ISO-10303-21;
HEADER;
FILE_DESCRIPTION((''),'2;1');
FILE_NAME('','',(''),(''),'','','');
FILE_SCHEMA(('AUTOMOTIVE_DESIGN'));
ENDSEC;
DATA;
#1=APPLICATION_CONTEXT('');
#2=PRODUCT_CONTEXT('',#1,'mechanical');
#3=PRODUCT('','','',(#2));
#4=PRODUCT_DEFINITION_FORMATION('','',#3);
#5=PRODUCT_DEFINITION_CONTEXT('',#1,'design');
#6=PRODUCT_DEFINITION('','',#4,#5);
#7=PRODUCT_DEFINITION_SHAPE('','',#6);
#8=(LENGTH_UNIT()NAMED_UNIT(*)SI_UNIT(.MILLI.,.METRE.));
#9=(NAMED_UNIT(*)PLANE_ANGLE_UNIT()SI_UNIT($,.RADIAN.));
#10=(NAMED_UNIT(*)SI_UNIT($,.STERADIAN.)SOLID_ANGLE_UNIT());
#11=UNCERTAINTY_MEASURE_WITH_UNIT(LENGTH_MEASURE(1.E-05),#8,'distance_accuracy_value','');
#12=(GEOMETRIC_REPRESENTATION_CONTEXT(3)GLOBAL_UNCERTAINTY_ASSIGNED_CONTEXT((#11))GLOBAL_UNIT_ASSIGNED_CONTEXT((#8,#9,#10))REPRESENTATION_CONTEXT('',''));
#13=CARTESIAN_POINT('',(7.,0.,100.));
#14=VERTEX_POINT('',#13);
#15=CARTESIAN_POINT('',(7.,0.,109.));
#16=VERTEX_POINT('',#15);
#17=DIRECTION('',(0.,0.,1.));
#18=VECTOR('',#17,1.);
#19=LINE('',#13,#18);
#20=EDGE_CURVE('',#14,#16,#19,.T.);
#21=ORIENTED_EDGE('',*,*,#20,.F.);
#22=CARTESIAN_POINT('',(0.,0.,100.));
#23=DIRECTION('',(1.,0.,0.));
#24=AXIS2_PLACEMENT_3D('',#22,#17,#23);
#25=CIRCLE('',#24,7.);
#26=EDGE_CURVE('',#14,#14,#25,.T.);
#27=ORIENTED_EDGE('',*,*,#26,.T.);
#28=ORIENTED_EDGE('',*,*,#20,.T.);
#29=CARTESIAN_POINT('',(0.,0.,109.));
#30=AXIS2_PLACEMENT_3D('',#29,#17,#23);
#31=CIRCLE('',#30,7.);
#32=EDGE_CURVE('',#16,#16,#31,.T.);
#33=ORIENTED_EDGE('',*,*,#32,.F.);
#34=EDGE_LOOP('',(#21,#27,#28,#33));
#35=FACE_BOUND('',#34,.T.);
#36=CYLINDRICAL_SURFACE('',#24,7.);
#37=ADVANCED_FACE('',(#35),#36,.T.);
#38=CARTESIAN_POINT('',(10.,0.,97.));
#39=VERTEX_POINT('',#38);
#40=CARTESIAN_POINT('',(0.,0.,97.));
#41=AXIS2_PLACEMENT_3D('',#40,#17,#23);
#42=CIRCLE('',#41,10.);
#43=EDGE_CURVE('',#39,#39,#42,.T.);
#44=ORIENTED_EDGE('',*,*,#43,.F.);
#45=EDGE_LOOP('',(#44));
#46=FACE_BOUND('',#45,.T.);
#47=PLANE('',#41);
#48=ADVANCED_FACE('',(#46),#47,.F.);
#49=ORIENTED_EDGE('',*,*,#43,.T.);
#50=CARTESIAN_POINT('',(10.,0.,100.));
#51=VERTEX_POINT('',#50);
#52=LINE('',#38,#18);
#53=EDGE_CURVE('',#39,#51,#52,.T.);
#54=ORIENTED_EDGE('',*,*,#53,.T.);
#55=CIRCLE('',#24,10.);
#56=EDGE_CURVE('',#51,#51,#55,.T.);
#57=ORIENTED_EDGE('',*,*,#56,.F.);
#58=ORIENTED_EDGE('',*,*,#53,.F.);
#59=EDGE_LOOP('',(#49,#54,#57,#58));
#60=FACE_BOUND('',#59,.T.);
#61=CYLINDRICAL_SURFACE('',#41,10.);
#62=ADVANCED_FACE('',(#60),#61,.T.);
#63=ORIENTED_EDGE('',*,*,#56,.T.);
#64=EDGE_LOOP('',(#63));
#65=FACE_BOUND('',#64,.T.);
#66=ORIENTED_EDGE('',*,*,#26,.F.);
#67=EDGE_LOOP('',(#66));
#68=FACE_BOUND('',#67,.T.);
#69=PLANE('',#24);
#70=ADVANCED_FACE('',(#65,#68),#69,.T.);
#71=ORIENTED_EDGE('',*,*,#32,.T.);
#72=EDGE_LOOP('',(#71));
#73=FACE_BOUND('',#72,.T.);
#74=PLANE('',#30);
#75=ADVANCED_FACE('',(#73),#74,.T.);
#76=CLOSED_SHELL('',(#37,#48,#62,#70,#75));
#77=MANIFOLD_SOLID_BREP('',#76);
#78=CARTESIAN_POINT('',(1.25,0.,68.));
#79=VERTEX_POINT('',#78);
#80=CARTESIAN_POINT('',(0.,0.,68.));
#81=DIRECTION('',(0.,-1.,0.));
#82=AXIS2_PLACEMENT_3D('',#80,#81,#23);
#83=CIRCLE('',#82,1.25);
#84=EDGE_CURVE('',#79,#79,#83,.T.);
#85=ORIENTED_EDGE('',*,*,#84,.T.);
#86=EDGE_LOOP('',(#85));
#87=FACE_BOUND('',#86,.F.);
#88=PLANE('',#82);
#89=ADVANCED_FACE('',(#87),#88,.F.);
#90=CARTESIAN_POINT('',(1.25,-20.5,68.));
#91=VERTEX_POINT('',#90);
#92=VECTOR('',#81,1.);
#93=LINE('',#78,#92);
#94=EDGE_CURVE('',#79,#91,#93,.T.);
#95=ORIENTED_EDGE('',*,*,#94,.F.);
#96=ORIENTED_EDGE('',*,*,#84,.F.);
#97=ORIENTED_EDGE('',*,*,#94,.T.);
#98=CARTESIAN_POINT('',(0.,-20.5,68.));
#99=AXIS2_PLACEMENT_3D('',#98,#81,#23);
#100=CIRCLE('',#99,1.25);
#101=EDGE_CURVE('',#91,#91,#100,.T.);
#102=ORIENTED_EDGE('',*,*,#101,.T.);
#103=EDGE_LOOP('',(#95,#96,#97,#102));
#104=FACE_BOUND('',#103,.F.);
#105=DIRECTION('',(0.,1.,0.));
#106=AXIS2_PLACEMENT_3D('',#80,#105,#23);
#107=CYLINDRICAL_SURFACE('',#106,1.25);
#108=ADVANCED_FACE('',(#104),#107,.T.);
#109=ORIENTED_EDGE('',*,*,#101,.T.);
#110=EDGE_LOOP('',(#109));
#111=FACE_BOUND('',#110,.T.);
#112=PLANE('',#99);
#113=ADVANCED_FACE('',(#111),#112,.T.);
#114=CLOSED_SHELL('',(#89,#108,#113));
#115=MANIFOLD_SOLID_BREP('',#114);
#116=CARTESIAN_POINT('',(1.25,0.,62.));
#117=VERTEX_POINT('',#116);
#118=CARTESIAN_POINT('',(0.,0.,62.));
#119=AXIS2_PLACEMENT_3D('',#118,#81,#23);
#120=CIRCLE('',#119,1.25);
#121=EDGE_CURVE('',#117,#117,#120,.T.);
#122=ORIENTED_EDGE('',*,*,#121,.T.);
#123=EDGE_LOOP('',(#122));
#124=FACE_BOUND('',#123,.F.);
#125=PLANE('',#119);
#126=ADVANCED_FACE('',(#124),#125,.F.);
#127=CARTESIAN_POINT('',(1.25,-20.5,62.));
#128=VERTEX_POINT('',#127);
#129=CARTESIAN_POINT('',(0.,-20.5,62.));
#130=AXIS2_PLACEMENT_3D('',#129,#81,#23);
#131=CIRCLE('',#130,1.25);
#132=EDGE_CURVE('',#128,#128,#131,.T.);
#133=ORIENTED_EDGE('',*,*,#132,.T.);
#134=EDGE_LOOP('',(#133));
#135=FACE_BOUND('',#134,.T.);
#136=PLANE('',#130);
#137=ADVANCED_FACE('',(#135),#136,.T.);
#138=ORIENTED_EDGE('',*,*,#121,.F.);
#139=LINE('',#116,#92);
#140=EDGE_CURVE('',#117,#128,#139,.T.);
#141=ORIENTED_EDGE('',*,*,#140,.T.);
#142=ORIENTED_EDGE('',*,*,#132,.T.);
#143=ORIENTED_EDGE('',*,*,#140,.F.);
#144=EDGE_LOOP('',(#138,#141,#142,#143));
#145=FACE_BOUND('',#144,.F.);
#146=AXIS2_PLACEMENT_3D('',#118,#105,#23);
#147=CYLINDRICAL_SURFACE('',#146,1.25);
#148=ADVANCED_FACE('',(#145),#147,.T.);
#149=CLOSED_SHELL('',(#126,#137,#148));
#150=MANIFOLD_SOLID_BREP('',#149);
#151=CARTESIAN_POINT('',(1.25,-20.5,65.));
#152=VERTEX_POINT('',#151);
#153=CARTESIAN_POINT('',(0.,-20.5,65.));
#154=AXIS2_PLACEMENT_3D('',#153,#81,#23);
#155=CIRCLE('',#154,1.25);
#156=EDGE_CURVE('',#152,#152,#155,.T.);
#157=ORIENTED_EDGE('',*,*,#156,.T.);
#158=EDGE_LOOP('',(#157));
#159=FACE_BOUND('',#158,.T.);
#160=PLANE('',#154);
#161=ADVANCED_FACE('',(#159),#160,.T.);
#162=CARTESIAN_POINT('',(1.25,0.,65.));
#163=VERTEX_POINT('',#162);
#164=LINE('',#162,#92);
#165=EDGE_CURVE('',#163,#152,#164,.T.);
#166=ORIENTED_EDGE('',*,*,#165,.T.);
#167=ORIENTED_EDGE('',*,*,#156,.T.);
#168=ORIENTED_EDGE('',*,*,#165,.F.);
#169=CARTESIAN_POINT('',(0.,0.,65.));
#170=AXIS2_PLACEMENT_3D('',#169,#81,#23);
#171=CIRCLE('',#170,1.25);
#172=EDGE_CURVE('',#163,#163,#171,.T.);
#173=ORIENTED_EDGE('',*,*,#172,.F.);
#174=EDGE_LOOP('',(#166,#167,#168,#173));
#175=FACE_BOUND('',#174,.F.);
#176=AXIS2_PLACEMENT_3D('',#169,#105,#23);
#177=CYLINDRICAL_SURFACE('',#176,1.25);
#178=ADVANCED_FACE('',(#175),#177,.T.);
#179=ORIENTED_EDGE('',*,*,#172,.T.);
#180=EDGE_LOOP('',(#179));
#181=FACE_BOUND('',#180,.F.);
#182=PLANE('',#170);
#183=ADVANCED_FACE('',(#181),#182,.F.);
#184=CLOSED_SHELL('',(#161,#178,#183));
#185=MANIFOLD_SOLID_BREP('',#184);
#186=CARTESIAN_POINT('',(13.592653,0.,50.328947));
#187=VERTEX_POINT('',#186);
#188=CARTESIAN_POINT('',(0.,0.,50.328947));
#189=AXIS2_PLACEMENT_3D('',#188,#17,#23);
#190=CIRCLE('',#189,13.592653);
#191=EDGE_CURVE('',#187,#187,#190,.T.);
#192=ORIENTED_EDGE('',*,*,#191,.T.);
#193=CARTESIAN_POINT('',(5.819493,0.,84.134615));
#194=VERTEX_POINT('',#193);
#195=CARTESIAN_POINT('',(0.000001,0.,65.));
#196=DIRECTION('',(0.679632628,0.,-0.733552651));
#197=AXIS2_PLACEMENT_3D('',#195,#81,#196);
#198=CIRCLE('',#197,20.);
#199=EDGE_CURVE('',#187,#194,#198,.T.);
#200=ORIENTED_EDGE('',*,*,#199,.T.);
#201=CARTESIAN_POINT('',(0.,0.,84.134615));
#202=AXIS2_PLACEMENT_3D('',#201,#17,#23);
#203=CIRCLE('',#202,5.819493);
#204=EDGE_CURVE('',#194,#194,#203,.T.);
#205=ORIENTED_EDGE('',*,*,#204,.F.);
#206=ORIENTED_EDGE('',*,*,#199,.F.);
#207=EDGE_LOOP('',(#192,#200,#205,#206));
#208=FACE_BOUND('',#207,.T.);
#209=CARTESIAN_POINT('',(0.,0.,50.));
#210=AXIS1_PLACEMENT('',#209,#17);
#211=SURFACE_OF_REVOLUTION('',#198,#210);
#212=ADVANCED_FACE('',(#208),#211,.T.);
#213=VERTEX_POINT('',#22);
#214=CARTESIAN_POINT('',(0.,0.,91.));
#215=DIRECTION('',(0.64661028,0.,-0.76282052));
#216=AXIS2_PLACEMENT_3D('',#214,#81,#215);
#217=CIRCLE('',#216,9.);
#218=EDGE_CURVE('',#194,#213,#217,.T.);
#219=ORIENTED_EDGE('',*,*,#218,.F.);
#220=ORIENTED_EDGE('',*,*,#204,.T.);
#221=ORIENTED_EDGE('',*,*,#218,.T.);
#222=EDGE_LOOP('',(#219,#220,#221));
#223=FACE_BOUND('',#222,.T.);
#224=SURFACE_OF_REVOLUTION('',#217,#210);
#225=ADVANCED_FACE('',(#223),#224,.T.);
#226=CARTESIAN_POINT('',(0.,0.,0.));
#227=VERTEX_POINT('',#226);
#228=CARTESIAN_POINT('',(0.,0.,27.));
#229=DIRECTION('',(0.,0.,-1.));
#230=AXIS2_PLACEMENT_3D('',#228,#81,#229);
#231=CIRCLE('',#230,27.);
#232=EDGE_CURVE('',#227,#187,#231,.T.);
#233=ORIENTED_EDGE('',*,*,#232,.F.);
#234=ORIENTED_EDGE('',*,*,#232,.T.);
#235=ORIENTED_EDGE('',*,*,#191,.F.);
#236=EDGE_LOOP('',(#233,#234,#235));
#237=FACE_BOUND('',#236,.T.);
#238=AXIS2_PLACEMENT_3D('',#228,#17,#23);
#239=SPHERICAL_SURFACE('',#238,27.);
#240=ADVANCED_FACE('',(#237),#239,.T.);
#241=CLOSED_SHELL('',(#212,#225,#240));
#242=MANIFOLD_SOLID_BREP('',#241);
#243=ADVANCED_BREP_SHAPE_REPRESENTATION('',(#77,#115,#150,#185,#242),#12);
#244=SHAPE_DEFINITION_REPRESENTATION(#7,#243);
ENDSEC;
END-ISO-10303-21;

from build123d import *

# Parameters (mm, degrees)
F4_R     = 1.25
F5_DEPTH = 20.5


with BuildPart() as f1:
    # F0 (on Front) → F1 (revolve)
    with BuildSketch(Plane.XZ):
        with BuildLine():
            Line((0, 100), (0, 0))
            ThreePointArc((0, 0), (26.066085, 19.96017), (13.592653, 50.328947))
            ThreePointArc((13.592653, 50.328947), (19.491374, 69.48178), (5.819493, 84.134615))
            ThreePointArc((5.819493, 84.134615), (8.449511, 94.099318), (0, 100))
        make_face()
    revolve(axis=Axis((0, 0, 50), (0, 0, 1)))


with BuildPart() as f3:
    # F2 (on Front) → F3 (revolve)
    with BuildSketch(Plane.XZ):
        Polygon((0, 109), (0, 97), (10, 97), (10, 100), (7, 100), (7, 109), align=None)
    revolve(axis=Axis((0, 0, 54.5), (0, 0, 1)))


with BuildPart() as f5:
    # F4 (on Front) → F5 (new body)
    with BuildSketch(Plane.XZ):
        with Locations((0, 68)):
            Circle(F4_R)
        with Locations((0, 65)):
            Circle(F4_R)
        with Locations((0, 62)):
            Circle(F4_R)
    extrude(amount=F5_DEPTH)


solid = Compound([f1.part, f3.part, f5.part])
